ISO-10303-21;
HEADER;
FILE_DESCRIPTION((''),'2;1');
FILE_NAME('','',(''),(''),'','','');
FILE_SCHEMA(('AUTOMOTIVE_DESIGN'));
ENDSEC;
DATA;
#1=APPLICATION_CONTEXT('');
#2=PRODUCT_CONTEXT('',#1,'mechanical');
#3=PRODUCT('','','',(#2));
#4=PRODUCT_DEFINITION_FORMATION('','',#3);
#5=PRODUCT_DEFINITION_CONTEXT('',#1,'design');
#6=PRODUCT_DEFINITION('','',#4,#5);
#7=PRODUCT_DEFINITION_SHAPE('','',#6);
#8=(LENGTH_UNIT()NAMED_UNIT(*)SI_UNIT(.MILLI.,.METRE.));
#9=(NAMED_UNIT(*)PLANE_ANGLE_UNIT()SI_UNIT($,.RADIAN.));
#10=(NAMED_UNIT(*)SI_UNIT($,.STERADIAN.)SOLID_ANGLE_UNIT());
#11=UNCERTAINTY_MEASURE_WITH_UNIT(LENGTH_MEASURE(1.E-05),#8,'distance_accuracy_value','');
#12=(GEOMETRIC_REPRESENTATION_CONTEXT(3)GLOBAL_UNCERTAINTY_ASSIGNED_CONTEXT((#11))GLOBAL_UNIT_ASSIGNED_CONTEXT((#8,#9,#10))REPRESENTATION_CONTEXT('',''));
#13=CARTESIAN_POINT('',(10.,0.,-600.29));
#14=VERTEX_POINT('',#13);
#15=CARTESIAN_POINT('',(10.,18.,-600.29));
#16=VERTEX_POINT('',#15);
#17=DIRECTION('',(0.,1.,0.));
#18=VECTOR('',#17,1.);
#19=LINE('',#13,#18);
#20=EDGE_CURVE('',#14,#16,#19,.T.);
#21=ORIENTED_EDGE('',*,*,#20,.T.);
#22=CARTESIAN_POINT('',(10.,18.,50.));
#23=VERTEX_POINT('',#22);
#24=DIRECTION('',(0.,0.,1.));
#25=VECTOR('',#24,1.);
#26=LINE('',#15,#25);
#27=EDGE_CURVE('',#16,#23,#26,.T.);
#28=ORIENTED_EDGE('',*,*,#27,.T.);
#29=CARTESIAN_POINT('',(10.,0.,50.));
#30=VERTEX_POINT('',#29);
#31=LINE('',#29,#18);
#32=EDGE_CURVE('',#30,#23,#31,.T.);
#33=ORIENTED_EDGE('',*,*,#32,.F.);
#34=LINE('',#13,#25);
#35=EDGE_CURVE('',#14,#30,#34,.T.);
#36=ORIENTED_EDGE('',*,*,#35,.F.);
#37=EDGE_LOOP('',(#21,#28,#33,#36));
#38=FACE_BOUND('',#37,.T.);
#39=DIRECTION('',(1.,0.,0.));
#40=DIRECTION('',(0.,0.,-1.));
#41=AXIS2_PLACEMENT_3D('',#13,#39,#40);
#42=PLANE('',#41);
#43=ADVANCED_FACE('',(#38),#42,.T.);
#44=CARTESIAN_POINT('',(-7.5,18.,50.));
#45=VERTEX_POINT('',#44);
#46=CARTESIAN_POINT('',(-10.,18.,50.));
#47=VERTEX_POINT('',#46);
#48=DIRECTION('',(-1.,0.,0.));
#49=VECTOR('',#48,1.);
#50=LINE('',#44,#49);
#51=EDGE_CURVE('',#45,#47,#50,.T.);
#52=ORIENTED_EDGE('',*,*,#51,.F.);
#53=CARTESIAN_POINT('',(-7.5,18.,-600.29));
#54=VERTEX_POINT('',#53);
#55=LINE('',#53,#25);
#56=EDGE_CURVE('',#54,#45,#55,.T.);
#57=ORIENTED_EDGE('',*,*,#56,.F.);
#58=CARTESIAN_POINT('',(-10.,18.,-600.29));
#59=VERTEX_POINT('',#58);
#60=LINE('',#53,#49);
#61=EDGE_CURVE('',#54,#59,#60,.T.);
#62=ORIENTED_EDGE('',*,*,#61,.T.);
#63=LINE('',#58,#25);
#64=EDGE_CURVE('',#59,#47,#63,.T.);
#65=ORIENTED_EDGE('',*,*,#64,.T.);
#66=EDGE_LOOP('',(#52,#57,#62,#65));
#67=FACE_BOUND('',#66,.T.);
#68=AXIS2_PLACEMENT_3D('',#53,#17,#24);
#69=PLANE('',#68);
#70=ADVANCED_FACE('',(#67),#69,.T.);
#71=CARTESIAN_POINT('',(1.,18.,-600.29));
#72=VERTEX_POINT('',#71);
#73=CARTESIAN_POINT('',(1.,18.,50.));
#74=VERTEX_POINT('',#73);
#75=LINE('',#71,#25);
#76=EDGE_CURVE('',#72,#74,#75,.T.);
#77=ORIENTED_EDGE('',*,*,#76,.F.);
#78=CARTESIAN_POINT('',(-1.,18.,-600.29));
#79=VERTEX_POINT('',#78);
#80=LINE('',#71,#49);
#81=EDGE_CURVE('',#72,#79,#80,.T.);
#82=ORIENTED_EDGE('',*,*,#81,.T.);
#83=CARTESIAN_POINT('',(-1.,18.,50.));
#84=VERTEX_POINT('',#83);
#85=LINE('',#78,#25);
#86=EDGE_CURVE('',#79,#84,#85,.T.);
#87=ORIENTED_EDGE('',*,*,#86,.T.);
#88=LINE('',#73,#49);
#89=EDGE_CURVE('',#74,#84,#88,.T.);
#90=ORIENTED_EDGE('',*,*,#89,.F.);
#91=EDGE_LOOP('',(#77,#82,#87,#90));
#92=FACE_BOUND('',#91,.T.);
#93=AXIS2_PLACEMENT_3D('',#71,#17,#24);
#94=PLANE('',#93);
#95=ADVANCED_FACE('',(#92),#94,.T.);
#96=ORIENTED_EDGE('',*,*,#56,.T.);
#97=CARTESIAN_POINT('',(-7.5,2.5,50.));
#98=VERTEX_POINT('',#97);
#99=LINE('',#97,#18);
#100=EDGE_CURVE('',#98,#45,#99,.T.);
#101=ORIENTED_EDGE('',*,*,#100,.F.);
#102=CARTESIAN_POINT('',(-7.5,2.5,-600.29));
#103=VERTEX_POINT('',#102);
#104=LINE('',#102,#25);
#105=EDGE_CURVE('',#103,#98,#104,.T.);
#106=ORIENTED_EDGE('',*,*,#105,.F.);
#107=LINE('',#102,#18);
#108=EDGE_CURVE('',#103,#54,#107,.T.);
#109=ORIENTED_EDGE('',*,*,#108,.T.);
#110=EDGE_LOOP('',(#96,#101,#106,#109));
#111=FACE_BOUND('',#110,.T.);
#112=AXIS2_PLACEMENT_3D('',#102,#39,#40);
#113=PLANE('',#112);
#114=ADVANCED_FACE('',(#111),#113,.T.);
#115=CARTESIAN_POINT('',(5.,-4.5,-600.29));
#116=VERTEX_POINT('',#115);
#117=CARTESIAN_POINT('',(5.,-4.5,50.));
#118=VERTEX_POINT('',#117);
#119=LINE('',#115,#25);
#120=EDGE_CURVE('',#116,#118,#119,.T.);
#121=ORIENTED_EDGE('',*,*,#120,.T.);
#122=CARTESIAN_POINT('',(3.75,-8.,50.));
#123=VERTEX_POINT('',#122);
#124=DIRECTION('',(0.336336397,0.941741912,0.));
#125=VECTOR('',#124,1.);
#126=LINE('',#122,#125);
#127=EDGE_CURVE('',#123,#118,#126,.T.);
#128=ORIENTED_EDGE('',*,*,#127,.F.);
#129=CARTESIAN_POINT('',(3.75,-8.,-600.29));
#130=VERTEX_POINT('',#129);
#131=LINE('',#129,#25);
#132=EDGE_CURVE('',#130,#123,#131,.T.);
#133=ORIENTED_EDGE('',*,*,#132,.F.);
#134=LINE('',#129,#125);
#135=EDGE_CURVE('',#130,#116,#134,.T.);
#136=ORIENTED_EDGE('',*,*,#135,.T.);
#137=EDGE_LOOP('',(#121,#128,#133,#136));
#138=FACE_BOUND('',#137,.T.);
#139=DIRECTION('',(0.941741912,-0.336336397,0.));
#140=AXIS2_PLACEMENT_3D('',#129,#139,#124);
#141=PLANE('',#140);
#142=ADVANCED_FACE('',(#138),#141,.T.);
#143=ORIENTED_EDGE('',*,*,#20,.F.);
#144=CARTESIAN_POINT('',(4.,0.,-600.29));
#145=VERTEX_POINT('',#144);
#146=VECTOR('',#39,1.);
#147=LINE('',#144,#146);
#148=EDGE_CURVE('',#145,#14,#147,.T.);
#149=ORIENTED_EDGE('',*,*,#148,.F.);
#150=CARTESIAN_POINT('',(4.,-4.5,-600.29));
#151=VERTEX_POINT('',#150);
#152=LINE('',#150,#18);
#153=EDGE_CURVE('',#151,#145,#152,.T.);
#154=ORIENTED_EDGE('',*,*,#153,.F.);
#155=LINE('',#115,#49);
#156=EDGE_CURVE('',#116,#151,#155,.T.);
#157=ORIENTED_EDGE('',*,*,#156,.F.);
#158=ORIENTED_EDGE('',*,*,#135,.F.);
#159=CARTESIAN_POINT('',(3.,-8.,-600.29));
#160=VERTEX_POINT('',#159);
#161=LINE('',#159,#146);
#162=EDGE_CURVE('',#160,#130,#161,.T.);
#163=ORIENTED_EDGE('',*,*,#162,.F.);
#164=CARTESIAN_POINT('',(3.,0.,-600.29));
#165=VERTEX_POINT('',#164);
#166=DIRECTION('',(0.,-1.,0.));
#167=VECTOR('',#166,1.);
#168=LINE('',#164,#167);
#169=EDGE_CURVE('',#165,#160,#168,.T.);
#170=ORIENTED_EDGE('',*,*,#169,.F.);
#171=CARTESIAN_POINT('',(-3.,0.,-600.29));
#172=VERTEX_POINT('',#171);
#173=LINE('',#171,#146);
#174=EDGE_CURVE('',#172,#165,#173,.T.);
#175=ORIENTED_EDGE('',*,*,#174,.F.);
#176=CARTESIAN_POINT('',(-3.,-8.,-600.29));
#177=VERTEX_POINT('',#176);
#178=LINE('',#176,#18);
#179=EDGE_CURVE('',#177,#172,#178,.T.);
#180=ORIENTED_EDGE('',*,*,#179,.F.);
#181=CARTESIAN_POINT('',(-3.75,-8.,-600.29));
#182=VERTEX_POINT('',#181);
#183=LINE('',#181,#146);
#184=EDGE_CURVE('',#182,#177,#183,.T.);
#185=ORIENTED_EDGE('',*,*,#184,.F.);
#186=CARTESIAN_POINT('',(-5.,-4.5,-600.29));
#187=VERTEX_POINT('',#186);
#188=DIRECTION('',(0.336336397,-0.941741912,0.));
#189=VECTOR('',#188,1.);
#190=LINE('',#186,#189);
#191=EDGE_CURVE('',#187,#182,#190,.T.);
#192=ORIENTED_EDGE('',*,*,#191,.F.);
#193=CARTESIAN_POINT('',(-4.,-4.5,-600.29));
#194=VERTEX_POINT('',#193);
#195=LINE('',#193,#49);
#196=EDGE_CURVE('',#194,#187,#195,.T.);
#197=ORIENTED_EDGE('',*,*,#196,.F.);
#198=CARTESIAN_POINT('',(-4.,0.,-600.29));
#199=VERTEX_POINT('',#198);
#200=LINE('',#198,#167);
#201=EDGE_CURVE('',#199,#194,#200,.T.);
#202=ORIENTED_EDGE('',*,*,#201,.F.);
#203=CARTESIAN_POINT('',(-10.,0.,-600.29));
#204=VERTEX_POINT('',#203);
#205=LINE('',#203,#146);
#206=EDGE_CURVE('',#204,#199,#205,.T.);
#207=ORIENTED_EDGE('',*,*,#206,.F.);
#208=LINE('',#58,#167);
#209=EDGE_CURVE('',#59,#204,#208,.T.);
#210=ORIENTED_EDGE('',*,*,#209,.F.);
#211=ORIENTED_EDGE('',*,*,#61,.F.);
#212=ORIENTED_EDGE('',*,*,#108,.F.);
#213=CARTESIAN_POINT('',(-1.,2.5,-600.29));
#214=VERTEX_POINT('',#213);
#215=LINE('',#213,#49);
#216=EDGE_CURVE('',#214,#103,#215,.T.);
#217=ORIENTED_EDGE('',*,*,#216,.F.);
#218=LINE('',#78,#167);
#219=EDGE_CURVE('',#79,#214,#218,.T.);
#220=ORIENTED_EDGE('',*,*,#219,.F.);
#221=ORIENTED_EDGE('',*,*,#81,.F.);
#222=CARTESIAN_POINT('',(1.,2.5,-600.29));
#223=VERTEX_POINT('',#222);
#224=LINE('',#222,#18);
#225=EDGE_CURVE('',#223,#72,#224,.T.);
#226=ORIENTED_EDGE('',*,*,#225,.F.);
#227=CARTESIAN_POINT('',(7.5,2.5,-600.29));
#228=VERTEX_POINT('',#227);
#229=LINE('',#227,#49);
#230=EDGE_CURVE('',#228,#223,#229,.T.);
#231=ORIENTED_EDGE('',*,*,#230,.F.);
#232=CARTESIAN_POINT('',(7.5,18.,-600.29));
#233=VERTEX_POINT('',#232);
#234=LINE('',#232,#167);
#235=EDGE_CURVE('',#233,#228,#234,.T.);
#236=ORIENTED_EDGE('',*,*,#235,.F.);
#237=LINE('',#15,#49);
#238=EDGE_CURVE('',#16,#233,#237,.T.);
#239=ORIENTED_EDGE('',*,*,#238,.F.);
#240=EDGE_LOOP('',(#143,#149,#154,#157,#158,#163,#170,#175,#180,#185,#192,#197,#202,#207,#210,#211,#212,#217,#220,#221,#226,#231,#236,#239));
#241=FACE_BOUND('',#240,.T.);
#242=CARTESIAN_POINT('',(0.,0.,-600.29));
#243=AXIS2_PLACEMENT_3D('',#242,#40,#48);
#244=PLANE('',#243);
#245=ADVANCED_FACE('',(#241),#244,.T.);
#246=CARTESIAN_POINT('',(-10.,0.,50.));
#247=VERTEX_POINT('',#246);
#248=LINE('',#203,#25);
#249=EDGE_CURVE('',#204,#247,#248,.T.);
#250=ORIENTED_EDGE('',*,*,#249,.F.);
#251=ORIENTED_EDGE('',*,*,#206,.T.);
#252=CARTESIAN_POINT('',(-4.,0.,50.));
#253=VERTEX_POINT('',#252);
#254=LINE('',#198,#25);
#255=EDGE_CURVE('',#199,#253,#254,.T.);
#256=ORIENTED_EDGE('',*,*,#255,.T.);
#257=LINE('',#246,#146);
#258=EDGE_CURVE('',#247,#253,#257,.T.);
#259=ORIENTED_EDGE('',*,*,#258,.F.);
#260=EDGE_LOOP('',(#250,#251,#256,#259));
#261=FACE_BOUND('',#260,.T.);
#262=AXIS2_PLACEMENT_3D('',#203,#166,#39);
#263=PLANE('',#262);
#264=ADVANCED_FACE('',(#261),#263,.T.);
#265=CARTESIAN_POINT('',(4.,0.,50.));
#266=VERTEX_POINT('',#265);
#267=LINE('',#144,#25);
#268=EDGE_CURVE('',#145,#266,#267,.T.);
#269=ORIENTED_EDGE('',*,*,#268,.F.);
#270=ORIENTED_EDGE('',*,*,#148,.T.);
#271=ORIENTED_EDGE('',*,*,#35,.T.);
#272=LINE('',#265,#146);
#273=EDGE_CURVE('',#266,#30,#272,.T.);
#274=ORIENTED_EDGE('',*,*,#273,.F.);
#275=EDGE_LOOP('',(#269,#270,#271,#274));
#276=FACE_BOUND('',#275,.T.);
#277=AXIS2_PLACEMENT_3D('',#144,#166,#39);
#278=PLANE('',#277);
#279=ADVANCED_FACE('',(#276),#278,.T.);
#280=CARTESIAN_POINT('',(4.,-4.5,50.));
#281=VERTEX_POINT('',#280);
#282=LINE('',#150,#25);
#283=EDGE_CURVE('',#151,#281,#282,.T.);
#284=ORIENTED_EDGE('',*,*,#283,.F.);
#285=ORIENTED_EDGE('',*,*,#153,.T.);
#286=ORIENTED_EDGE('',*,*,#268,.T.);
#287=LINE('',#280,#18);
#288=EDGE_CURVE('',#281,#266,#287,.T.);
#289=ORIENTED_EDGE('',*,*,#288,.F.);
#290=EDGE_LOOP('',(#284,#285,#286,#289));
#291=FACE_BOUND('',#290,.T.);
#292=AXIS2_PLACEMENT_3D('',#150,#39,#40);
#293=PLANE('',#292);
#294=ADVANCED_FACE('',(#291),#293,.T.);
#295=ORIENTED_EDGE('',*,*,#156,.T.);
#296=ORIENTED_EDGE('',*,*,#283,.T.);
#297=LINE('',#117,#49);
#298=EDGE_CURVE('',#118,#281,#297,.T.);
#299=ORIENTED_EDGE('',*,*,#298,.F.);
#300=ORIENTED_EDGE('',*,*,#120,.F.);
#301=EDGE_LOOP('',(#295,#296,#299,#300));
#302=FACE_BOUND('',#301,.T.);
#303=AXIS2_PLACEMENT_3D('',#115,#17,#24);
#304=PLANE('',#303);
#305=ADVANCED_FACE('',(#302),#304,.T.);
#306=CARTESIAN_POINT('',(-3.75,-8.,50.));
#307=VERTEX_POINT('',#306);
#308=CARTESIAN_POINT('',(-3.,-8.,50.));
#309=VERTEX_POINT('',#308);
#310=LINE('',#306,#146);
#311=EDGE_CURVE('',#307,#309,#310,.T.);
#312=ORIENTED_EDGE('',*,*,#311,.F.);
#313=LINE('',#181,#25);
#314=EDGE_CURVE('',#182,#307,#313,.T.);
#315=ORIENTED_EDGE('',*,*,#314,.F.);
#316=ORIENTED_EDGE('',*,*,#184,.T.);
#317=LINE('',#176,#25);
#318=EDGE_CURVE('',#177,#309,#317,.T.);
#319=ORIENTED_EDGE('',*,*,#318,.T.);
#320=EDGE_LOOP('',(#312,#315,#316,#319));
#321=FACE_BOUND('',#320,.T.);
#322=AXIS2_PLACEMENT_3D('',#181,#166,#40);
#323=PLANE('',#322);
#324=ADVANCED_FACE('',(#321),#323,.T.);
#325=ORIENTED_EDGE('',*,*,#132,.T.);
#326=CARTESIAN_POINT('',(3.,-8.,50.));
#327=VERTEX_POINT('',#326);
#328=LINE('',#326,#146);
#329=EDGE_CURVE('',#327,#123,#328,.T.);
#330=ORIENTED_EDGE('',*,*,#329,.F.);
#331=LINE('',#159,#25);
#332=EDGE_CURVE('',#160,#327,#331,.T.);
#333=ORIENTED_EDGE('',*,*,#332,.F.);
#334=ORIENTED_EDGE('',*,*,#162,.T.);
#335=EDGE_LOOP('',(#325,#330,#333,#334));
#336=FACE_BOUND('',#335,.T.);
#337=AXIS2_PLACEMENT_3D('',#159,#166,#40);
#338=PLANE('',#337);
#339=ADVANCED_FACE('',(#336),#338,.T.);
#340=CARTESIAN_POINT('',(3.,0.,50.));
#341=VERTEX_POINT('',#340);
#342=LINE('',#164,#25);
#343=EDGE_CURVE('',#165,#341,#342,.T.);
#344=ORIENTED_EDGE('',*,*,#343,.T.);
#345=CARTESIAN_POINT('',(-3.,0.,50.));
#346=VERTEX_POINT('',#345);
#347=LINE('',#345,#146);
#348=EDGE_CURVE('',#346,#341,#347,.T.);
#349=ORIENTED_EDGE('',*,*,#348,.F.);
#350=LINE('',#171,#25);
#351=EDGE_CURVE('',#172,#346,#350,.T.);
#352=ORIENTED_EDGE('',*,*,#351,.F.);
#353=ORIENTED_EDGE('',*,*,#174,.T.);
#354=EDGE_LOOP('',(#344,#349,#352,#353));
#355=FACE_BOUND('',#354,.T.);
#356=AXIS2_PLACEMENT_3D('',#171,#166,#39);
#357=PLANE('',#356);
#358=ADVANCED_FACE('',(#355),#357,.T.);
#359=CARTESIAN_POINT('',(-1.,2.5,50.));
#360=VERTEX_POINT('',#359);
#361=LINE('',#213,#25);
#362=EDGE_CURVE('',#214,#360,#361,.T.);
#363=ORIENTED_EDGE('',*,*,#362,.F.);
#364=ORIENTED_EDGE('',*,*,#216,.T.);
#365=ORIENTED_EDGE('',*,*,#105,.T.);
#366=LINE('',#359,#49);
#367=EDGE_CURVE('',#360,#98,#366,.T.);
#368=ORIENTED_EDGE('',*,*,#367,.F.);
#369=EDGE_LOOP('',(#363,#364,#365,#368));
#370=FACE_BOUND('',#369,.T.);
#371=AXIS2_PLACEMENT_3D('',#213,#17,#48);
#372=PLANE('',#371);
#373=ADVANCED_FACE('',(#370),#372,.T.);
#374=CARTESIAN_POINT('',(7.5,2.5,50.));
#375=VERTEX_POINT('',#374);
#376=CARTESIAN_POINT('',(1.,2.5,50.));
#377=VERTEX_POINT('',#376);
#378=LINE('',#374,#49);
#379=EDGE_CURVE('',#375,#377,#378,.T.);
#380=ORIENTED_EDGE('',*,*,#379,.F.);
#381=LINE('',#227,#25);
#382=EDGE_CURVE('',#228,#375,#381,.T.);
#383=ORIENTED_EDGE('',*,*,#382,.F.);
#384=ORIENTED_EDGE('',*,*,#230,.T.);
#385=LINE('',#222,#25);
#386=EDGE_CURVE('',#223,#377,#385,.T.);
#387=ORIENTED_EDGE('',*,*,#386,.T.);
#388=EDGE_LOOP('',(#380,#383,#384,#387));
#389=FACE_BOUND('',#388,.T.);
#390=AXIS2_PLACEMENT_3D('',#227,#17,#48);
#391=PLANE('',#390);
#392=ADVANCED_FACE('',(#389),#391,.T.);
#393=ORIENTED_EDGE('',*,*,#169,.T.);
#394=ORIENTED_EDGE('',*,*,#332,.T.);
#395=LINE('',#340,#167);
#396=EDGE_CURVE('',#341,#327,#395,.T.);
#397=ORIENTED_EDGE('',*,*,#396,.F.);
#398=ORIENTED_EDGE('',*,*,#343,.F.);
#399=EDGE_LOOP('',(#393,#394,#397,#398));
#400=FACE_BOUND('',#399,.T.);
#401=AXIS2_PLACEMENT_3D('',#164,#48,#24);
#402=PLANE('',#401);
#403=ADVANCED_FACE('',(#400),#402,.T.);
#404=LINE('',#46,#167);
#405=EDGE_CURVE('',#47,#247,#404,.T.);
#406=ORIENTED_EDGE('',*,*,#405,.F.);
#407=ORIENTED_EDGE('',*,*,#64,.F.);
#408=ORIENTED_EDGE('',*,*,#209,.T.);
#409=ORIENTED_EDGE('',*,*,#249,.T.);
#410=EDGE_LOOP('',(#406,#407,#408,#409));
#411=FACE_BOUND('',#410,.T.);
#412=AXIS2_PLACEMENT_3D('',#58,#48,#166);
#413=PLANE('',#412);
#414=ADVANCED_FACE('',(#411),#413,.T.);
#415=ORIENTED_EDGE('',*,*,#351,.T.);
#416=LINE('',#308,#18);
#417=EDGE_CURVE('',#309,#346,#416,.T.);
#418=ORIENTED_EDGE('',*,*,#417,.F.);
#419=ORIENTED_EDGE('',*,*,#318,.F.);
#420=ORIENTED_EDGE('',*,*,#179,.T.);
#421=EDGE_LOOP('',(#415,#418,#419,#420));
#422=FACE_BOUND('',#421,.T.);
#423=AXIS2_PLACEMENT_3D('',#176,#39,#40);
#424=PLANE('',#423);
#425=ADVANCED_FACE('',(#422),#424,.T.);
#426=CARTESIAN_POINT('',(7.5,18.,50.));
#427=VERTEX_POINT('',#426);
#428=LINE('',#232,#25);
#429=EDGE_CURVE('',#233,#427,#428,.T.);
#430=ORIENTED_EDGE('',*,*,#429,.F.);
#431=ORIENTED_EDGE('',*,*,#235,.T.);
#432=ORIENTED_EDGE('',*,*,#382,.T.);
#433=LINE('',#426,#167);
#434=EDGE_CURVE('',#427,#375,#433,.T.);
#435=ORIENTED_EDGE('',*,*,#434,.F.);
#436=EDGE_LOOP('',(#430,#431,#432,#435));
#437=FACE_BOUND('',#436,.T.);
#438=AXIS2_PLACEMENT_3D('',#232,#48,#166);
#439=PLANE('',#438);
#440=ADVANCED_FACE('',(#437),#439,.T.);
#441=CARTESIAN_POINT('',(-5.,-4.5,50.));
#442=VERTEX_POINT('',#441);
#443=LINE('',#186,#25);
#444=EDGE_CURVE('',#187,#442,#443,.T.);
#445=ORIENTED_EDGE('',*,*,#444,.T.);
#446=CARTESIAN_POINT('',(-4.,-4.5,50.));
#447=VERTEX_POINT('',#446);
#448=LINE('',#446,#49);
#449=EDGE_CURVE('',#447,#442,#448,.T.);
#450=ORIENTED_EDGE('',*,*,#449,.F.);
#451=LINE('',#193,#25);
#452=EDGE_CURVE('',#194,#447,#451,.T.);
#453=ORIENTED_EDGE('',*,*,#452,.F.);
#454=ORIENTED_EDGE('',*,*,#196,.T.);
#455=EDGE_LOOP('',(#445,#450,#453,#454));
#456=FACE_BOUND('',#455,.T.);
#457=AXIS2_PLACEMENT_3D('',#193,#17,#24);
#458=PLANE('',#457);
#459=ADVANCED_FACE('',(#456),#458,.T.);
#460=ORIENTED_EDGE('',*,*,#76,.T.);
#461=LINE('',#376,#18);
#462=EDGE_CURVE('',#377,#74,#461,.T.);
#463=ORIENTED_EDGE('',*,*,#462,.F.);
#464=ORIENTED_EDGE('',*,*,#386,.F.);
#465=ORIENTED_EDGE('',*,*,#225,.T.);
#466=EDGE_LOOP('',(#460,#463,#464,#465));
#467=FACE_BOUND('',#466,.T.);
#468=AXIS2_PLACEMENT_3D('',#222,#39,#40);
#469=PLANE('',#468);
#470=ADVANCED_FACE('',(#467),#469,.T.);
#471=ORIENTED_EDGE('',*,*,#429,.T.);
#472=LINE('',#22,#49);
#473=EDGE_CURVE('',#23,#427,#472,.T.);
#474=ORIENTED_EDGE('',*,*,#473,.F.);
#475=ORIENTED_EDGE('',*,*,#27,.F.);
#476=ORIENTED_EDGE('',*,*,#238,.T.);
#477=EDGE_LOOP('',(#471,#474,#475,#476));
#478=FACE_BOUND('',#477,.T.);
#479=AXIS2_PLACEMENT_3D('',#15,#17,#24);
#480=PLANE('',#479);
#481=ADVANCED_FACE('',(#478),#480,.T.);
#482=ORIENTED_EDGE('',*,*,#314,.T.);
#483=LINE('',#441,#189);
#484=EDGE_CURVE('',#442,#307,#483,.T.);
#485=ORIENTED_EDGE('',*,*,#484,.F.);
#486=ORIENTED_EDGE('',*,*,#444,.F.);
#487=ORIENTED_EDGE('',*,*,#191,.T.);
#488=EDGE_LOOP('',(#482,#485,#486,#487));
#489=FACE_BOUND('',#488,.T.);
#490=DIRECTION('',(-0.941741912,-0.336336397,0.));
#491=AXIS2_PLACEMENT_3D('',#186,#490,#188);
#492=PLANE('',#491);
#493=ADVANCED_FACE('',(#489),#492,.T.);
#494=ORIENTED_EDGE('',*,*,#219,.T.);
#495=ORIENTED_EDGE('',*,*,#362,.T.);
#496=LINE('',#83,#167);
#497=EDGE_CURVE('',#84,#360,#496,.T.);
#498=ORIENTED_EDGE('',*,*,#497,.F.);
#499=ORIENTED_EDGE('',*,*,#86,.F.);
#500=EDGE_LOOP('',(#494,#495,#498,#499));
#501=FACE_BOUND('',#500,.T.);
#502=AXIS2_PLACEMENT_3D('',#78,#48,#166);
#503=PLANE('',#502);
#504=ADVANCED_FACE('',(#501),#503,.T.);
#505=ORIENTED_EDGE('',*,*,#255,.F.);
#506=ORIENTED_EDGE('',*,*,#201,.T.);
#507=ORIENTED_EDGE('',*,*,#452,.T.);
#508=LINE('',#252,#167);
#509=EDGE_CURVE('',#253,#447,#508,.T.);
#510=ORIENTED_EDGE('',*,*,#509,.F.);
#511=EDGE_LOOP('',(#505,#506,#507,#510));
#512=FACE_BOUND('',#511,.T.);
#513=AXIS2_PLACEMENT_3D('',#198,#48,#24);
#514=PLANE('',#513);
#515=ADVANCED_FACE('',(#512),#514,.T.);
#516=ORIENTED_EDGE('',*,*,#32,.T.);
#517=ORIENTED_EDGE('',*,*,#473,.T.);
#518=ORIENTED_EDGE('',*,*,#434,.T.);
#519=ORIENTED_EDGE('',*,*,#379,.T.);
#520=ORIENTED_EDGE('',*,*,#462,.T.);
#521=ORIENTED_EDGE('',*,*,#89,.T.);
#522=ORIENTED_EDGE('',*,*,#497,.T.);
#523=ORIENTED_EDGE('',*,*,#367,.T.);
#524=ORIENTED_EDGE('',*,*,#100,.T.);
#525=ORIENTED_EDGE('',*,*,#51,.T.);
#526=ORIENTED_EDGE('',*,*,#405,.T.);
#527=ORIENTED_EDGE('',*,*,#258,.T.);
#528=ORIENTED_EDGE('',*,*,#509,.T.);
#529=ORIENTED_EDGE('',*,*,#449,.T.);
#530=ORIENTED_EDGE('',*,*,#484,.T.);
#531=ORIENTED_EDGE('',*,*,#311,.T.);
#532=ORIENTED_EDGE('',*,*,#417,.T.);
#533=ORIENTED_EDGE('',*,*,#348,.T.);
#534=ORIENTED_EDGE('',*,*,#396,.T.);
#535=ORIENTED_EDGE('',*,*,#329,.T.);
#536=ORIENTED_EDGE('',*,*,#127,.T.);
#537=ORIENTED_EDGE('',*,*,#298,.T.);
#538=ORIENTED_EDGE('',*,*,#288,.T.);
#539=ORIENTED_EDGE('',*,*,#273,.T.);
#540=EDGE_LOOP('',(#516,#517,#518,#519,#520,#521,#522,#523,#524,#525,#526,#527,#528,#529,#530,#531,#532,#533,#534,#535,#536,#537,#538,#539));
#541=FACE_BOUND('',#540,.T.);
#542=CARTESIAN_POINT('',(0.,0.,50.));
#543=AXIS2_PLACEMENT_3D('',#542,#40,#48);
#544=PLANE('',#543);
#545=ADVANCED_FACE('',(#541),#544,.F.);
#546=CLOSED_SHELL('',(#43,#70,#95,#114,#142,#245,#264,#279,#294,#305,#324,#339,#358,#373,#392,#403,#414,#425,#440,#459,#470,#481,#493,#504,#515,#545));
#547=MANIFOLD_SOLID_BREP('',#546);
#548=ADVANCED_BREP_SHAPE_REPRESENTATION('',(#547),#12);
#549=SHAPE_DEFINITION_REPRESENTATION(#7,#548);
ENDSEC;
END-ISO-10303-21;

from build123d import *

# Parameters (mm, degrees)
BOSS_EXTRU_1_DEPTH = 650.29


with BuildPart() as part:
    # Esquisse1 → Boss.-Extru.1 (new body)
    with BuildSketch(Plane.XY.offset(50)):
        Polygon((-1, 2.5), (-7.5, 2.5), (-7.5, 17.999999998), (-10, 17.999999998), (-10, 0), (-4, 0), (-4, -4.5), (-5, -4.5), (-3.75, -8), (-3, -8), (-3, 0), (3, 0), (3, -8), (3.75, -8), (5, -4.5), (4, -4.5), (4, 0), (10, 0), (10, 17.999999998), (7.5, 17.999999998), (7.5, 2.5), (1, 2.5), (1, 17.999999998), (-1, 17.999999998), align=None)
    extrude(amount=-BOSS_EXTRU_1_DEPTH)


solid = part.part
